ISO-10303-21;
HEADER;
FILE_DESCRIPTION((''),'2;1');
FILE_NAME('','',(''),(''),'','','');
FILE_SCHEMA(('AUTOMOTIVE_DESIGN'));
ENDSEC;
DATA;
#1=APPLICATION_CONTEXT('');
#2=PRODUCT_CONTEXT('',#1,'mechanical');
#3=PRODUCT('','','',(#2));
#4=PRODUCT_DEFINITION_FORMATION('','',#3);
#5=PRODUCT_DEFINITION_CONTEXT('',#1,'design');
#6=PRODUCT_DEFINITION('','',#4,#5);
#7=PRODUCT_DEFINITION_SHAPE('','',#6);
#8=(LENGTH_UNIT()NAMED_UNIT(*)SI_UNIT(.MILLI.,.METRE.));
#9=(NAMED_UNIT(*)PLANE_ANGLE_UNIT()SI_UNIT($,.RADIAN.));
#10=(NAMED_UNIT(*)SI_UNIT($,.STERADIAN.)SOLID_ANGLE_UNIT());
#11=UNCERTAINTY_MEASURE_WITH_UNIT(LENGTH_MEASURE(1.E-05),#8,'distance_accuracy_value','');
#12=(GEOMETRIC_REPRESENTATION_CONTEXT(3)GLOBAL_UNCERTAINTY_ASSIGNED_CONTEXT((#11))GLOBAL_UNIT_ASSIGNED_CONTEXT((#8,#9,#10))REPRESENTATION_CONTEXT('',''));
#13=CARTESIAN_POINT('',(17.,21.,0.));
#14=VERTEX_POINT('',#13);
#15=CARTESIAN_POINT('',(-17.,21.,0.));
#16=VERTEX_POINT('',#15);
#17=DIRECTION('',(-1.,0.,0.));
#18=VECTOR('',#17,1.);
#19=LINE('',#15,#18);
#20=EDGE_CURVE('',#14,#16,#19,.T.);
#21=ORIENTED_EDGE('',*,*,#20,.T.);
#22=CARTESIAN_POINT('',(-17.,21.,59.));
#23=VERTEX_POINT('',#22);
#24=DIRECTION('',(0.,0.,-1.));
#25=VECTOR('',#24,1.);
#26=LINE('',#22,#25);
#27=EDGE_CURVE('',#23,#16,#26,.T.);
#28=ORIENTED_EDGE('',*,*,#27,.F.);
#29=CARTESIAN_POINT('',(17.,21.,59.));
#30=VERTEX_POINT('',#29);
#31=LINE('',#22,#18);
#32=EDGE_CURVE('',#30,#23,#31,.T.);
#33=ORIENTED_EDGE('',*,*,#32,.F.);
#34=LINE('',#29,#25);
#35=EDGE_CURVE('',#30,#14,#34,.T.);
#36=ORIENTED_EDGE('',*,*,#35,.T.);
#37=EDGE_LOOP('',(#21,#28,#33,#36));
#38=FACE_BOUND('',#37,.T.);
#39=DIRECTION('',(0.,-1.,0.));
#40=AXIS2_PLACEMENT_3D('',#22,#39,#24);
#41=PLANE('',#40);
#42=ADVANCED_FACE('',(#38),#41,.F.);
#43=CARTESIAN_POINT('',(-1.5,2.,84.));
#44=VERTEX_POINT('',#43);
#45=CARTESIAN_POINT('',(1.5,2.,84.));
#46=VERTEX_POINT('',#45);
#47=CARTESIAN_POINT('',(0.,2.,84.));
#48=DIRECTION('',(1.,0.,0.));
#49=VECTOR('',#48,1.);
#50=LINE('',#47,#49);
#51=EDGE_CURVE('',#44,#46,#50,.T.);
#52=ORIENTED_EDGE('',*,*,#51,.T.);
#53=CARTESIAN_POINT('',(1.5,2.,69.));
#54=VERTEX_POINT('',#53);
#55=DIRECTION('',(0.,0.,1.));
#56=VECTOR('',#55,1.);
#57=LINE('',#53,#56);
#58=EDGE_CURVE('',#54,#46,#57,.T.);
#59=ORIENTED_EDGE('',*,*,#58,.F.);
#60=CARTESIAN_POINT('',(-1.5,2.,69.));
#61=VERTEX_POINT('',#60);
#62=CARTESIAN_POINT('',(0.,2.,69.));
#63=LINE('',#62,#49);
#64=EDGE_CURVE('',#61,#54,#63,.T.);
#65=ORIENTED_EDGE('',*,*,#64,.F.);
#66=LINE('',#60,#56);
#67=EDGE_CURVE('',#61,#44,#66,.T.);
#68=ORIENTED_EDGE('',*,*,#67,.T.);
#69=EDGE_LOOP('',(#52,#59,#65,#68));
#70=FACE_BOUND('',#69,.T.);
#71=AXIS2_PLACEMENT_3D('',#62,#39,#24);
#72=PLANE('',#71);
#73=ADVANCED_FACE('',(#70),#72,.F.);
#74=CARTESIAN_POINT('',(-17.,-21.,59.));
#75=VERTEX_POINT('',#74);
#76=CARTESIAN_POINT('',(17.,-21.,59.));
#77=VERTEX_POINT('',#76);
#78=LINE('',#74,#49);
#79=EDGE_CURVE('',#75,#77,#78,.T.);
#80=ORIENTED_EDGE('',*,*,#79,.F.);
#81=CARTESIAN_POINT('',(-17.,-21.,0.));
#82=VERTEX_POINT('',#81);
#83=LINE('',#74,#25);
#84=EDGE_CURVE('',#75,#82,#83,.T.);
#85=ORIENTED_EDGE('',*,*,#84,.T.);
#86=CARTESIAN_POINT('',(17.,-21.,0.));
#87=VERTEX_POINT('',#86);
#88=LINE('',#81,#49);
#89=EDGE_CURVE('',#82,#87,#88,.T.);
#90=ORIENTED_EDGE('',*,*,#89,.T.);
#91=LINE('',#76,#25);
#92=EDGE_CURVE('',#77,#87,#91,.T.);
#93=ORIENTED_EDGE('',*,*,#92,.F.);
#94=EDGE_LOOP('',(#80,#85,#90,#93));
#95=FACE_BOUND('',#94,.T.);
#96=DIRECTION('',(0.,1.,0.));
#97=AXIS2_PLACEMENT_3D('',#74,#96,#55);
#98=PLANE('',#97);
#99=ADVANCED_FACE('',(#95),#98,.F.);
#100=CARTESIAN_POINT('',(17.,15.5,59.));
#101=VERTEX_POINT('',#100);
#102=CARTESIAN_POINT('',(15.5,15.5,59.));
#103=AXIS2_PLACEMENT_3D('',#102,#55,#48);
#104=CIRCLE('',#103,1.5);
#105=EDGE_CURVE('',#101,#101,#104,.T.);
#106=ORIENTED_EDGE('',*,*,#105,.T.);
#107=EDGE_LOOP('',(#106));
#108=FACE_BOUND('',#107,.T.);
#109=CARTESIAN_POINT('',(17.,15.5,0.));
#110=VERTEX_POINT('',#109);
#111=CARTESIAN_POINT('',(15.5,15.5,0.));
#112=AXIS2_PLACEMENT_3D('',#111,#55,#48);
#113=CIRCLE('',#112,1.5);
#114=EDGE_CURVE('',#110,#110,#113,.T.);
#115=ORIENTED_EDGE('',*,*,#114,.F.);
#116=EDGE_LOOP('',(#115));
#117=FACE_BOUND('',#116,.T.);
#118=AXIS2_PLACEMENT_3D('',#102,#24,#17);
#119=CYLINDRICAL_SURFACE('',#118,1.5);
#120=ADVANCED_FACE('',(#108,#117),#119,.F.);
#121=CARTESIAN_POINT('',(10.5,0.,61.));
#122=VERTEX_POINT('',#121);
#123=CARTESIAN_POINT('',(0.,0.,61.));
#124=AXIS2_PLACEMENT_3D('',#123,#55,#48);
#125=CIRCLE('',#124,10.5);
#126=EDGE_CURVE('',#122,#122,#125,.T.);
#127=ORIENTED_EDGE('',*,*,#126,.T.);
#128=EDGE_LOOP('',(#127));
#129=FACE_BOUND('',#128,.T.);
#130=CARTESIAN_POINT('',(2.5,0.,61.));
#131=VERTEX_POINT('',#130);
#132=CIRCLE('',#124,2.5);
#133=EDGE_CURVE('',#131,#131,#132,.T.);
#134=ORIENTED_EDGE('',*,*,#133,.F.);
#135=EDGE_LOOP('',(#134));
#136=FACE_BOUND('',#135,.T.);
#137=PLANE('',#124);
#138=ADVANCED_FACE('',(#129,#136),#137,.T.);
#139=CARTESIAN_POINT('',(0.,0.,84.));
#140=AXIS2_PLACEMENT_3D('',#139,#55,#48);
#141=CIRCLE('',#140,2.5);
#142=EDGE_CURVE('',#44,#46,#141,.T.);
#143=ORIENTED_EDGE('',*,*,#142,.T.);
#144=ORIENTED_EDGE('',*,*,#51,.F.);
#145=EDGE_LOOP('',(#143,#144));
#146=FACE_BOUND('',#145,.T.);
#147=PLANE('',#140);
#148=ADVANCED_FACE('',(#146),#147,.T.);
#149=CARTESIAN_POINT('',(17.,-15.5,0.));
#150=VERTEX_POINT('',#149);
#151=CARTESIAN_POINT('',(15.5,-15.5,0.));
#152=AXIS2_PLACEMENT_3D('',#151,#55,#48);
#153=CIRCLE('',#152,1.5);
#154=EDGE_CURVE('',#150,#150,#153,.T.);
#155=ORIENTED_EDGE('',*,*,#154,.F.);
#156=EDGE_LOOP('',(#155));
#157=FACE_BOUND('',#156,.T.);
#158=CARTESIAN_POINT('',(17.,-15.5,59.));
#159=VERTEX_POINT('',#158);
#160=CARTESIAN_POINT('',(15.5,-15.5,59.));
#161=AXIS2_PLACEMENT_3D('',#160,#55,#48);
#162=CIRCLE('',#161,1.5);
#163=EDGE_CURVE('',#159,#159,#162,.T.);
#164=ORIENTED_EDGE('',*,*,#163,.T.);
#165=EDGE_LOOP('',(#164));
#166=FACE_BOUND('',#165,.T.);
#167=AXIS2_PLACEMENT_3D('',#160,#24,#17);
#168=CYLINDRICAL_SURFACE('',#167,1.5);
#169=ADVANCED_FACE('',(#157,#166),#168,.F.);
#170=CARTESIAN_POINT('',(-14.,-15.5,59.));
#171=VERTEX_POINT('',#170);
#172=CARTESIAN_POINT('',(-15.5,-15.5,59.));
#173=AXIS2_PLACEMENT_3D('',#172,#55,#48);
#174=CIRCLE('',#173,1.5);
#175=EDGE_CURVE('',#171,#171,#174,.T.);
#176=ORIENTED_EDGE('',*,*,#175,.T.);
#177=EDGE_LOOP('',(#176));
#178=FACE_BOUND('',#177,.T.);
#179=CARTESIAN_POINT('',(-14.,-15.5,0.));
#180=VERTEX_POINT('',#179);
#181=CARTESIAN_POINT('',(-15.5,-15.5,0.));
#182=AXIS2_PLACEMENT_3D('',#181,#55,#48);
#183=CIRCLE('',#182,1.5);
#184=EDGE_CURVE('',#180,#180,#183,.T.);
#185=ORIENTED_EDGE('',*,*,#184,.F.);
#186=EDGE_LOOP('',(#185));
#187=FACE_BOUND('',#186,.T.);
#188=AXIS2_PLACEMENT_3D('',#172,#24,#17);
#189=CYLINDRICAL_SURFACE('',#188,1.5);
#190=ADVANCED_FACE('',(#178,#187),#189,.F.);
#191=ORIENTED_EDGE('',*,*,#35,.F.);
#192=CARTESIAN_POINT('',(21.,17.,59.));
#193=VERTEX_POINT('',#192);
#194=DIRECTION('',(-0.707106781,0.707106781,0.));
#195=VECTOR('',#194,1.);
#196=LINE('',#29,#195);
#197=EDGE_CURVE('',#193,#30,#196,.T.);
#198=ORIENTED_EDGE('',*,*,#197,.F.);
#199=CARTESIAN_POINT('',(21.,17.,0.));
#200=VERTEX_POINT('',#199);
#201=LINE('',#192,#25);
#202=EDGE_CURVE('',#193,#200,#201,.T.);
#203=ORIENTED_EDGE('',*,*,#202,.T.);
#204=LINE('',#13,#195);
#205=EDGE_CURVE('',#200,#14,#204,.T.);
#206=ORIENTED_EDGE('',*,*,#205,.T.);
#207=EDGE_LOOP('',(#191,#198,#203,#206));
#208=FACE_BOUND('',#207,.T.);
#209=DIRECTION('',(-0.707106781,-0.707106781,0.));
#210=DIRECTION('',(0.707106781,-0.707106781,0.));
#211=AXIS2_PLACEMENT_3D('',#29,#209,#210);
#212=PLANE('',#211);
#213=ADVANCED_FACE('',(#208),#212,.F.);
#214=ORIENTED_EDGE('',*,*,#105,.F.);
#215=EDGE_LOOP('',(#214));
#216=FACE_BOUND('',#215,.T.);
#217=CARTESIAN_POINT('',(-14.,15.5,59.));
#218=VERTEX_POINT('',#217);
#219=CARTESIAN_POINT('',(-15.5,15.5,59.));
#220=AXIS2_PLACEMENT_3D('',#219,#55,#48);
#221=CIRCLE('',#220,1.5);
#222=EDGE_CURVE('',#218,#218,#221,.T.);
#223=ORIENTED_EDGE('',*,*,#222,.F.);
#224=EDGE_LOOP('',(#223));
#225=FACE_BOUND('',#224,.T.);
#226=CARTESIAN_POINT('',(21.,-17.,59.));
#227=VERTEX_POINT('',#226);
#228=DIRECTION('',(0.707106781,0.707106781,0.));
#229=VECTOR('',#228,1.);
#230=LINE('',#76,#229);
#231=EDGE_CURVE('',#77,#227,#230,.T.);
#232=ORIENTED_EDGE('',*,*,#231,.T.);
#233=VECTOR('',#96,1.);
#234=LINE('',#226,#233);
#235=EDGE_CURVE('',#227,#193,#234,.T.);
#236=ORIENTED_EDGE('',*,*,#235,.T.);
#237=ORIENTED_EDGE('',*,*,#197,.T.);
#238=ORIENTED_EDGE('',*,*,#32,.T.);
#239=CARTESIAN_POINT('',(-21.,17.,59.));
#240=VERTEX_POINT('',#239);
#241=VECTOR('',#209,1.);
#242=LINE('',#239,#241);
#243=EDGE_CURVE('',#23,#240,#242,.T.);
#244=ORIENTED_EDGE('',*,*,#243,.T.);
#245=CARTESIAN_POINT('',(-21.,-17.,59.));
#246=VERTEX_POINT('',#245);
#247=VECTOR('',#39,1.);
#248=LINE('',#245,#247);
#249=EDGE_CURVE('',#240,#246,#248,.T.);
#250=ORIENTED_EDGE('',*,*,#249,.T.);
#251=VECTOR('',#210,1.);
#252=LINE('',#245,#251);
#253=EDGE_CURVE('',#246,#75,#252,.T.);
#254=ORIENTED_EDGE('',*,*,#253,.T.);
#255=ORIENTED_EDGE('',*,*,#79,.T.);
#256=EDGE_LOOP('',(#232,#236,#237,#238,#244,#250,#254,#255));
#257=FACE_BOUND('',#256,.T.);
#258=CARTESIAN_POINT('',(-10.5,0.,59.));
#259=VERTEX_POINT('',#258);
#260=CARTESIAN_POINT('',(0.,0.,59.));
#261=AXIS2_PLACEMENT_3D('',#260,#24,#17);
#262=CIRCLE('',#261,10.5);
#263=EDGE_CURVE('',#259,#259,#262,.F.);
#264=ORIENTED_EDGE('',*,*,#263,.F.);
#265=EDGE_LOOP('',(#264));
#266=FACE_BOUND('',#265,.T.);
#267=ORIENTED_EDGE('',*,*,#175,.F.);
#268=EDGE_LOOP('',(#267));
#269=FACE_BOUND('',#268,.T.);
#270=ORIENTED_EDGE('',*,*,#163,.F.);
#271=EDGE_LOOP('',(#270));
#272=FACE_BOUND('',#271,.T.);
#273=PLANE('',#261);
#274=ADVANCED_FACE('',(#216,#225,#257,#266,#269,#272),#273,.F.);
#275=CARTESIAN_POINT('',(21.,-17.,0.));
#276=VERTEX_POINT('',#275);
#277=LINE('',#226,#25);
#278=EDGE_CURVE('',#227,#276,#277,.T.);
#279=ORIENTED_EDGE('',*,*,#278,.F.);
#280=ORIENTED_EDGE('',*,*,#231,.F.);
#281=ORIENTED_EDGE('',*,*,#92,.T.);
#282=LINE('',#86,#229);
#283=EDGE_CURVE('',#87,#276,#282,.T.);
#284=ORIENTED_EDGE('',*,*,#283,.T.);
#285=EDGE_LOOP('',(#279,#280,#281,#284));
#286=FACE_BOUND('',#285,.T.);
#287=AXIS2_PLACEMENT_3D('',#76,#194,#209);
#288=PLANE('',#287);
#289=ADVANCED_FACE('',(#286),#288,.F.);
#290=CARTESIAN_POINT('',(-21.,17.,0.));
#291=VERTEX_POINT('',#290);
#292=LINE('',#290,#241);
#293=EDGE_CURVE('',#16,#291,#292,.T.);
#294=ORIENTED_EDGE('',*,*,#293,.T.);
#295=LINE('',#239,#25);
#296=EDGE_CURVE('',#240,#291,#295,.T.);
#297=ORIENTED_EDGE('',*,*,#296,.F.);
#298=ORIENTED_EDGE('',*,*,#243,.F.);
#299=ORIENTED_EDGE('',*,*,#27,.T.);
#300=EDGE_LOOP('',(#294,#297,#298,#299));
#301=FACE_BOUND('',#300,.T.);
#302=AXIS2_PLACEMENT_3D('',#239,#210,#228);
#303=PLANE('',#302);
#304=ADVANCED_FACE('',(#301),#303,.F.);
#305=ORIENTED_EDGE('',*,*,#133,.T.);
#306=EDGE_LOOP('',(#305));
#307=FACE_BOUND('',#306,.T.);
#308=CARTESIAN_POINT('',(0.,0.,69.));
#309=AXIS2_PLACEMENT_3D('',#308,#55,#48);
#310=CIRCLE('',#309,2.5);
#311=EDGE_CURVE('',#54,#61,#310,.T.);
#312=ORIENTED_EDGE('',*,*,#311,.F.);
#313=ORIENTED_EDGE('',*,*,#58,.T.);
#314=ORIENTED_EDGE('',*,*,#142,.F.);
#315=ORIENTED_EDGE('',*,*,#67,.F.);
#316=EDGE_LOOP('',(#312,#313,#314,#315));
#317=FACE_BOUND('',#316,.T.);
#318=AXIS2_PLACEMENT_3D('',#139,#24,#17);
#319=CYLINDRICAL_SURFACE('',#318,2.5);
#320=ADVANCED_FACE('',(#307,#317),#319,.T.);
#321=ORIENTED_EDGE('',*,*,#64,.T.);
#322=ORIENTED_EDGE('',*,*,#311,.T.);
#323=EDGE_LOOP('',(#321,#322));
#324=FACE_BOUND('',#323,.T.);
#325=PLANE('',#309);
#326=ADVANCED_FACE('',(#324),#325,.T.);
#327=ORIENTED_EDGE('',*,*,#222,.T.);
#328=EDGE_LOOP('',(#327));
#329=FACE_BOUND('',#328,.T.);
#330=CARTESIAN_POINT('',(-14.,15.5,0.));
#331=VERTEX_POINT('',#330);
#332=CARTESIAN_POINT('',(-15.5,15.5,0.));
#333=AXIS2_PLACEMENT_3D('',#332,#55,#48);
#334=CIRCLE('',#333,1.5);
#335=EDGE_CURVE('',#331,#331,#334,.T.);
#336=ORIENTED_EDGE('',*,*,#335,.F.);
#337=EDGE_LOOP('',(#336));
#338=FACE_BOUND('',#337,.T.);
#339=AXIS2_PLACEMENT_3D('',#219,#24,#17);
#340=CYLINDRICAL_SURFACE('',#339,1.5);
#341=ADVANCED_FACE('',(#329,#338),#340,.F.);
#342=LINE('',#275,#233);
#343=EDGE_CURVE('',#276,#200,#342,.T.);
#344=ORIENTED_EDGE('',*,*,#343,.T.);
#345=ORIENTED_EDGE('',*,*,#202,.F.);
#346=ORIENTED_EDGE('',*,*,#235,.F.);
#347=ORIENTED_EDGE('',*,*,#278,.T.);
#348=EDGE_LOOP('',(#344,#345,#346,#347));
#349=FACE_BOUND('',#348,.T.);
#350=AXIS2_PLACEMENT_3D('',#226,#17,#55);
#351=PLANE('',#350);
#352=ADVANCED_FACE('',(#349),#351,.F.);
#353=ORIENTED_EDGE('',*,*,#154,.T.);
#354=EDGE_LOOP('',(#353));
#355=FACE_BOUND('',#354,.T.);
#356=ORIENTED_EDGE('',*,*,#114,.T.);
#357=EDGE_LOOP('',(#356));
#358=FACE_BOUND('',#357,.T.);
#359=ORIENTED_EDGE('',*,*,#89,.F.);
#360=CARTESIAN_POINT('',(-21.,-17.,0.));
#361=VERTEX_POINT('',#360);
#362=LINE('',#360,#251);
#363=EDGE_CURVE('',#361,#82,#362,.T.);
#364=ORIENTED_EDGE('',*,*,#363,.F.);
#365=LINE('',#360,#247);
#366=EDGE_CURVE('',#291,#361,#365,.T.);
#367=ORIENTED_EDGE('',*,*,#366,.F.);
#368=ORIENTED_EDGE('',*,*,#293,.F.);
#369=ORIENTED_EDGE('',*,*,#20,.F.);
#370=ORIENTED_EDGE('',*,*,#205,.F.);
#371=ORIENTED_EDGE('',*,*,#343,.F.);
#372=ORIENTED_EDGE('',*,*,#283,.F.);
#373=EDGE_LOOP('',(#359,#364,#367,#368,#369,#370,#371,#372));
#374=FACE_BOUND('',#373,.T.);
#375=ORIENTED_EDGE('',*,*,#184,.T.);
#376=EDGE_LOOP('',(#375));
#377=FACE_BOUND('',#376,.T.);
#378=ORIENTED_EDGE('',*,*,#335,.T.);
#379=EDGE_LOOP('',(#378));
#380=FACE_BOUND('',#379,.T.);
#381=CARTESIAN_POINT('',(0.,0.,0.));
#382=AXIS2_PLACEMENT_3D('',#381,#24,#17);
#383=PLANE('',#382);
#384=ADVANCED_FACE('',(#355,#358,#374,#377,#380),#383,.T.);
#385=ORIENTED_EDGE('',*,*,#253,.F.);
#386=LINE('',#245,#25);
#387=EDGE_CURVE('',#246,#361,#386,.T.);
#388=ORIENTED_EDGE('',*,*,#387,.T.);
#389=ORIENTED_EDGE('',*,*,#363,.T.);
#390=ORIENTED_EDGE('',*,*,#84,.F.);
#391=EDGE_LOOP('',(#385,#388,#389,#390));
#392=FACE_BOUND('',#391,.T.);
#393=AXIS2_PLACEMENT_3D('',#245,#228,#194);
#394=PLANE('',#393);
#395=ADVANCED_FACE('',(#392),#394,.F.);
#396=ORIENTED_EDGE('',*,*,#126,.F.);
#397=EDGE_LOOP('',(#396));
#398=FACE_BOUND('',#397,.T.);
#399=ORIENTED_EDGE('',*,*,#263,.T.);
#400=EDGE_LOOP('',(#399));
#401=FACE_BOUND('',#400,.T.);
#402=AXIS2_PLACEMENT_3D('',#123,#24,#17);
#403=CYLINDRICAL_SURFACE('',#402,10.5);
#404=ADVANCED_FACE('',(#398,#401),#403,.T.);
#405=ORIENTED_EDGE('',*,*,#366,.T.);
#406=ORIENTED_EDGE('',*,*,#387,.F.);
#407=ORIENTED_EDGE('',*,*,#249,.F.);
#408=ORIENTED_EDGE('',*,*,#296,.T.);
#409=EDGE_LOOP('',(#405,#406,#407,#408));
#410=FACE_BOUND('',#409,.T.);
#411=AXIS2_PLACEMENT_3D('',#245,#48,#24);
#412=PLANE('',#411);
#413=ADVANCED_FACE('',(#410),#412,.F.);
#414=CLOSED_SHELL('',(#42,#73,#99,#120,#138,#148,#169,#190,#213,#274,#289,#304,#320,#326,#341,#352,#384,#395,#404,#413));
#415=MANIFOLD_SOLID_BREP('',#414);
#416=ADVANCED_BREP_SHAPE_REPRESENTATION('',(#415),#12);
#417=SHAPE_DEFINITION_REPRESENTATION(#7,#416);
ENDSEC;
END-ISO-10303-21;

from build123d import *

# Parameters (mm, degrees)
SKIZZE1_R                       = 1.5
AUFSATZ_LINEAR_AUSTRAGEN1_DEPTH = 59
SKIZZE2_R                       = 10.5
AUFSATZ_LINEAR_AUSTRAGEN2_DEPTH = 2
SKIZZE3_R                       = 2.5
AUFSATZ_LINEAR_AUSTRAGEN3_DEPTH = 23
SCHNITT_LINEAR_AUSTRAGEN1_DEPTH = 15


with BuildPart() as part:
    # Skizze1 → Aufsatz-Linear austragen1 (new body)
    with BuildSketch(Plane.XY):
        Polygon((-17, -21), (17, -21), (21, -17), (21, 17), (17, 21), (-17, 21), (-21, 17), (-21, -17), align=None)
        with Locations((15.5, 15.5)):
            Circle(SKIZZE1_R, mode=Mode.SUBTRACT)
        with Locations((15.5, -15.5)):
            Circle(SKIZZE1_R, mode=Mode.SUBTRACT)
        with Locations((-15.5, -15.5)):
            Circle(SKIZZE1_R, mode=Mode.SUBTRACT)
        with Locations((-15.5, 15.5)):
            Circle(SKIZZE1_R, mode=Mode.SUBTRACT)
    extrude(amount=AUFSATZ_LINEAR_AUSTRAGEN1_DEPTH)

    # Skizze2 → Aufsatz-Linear austragen2 (add)
    with BuildSketch(Plane.XY.offset(59)):
        with Locations(Location((0, 0, 0), (0, 0, 180))):
            Circle(SKIZZE2_R)
    extrude(amount=AUFSATZ_LINEAR_AUSTRAGEN2_DEPTH)

    # Skizze3 → Aufsatz-Linear austragen3 (add)
    with BuildSketch(Plane.XY.offset(61)):
        Circle(SKIZZE3_R)
    extrude(amount=AUFSATZ_LINEAR_AUSTRAGEN3_DEPTH)

    # Skizze4 → Schnitt-Linear austragen1 (cut)
    with BuildSketch(Plane.XY.offset(84)):
        Polygon((-75.850602173, 2), (-1.5, 2), (1.5, 2), (75.850602173, 2), (75.850602173, 150.701204346), (-75.850602173, 150.701204346), align=None)
    extrude(amount=-SCHNITT_LINEAR_AUSTRAGEN1_DEPTH, mode=Mode.SUBTRACT)


solid = part.part
